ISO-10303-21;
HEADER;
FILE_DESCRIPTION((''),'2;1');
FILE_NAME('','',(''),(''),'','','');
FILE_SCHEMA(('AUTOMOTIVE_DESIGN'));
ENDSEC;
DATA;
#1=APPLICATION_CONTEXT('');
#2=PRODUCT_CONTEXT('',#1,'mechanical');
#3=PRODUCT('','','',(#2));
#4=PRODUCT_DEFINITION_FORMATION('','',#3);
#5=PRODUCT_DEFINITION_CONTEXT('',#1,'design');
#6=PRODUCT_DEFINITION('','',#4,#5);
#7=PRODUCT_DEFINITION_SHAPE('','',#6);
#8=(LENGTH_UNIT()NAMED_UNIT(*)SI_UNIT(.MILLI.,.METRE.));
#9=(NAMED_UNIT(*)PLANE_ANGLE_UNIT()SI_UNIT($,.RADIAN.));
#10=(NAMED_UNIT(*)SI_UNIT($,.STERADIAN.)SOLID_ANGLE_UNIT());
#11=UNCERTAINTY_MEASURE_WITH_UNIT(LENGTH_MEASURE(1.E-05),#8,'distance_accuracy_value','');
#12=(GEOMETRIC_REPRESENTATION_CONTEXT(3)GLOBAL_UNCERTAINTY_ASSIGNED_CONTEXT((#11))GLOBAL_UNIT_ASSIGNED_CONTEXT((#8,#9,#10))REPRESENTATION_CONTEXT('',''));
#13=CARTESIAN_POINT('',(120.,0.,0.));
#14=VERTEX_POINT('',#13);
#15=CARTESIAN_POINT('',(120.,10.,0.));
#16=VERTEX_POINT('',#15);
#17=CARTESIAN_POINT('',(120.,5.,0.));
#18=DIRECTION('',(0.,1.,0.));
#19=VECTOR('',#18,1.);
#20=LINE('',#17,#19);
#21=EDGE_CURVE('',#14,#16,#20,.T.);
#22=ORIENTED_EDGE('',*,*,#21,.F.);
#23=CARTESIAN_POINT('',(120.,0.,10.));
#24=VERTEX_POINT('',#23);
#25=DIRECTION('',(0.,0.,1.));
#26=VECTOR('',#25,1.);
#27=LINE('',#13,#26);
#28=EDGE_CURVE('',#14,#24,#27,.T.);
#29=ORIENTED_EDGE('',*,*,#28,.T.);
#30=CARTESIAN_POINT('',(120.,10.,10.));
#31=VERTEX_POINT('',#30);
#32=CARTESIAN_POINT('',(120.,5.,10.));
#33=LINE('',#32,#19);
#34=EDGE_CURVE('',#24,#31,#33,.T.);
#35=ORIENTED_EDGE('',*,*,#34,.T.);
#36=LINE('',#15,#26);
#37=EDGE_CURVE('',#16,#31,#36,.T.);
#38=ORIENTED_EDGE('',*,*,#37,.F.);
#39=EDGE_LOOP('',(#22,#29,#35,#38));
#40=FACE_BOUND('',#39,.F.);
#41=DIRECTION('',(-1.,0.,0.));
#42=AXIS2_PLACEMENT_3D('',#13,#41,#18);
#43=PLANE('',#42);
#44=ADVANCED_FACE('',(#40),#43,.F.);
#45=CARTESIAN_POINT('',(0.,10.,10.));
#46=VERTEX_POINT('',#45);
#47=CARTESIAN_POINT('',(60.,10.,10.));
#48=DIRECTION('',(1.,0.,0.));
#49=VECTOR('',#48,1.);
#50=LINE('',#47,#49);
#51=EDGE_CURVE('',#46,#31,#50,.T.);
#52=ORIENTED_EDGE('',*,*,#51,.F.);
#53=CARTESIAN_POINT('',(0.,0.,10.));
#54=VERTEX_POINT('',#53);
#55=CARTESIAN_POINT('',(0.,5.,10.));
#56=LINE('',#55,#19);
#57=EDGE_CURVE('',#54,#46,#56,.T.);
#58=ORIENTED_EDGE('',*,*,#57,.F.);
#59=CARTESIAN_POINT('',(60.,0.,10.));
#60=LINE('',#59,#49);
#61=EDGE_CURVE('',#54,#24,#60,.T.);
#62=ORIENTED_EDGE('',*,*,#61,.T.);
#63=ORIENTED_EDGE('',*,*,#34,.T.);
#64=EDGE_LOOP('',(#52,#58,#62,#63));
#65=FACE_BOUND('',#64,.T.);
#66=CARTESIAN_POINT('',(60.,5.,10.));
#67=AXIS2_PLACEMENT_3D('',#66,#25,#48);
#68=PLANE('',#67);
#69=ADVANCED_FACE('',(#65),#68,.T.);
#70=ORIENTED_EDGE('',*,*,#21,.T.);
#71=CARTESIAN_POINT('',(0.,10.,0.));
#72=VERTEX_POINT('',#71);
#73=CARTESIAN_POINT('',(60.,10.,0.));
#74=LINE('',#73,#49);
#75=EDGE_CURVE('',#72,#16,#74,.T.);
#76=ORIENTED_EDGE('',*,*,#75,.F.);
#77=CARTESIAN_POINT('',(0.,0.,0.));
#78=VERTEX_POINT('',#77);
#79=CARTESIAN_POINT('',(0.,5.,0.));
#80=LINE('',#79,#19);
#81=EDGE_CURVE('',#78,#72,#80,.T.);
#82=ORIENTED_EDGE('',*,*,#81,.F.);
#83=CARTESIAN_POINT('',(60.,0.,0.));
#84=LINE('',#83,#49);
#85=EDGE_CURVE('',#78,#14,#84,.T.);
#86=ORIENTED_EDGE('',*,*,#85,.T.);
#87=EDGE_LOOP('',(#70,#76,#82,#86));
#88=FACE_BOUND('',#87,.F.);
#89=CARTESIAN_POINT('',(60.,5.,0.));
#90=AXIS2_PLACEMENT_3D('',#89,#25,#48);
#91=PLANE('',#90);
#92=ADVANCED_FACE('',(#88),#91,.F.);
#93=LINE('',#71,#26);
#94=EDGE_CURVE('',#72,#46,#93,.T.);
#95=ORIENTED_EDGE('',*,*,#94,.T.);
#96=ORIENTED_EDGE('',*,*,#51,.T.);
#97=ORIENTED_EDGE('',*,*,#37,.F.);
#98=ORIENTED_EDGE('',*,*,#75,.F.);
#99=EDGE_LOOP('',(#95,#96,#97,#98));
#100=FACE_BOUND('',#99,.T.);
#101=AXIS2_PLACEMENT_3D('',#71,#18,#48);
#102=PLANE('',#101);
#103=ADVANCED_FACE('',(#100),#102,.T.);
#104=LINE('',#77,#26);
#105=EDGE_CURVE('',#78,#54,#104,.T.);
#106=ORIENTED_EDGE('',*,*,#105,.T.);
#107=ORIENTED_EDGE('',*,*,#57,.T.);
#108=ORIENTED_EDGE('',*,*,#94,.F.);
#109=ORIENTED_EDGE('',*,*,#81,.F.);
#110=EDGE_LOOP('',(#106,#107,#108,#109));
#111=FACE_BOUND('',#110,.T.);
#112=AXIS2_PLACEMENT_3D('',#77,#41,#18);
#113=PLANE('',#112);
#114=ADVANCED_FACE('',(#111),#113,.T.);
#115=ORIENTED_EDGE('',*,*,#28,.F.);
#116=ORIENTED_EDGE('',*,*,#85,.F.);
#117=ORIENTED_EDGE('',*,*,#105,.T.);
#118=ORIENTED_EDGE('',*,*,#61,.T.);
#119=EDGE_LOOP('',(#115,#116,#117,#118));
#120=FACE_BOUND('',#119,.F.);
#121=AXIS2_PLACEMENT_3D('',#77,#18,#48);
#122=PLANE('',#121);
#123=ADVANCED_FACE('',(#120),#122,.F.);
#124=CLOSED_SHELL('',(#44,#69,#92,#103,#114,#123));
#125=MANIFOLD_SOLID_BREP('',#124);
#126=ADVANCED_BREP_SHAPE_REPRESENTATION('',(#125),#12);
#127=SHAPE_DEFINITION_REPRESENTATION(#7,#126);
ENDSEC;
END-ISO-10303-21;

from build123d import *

# Parameters (mm, degrees)
BEAM_W     = 120
BEAM_H     = 10
BEAM_DEPTH = 10


with BuildPart() as part:
    # Beam → Beam (new body)
    with BuildSketch(Plane.XY):
        with Locations((60, 5)):
            Rectangle(BEAM_W, BEAM_H)
    extrude(amount=BEAM_DEPTH)


solid = part.part
